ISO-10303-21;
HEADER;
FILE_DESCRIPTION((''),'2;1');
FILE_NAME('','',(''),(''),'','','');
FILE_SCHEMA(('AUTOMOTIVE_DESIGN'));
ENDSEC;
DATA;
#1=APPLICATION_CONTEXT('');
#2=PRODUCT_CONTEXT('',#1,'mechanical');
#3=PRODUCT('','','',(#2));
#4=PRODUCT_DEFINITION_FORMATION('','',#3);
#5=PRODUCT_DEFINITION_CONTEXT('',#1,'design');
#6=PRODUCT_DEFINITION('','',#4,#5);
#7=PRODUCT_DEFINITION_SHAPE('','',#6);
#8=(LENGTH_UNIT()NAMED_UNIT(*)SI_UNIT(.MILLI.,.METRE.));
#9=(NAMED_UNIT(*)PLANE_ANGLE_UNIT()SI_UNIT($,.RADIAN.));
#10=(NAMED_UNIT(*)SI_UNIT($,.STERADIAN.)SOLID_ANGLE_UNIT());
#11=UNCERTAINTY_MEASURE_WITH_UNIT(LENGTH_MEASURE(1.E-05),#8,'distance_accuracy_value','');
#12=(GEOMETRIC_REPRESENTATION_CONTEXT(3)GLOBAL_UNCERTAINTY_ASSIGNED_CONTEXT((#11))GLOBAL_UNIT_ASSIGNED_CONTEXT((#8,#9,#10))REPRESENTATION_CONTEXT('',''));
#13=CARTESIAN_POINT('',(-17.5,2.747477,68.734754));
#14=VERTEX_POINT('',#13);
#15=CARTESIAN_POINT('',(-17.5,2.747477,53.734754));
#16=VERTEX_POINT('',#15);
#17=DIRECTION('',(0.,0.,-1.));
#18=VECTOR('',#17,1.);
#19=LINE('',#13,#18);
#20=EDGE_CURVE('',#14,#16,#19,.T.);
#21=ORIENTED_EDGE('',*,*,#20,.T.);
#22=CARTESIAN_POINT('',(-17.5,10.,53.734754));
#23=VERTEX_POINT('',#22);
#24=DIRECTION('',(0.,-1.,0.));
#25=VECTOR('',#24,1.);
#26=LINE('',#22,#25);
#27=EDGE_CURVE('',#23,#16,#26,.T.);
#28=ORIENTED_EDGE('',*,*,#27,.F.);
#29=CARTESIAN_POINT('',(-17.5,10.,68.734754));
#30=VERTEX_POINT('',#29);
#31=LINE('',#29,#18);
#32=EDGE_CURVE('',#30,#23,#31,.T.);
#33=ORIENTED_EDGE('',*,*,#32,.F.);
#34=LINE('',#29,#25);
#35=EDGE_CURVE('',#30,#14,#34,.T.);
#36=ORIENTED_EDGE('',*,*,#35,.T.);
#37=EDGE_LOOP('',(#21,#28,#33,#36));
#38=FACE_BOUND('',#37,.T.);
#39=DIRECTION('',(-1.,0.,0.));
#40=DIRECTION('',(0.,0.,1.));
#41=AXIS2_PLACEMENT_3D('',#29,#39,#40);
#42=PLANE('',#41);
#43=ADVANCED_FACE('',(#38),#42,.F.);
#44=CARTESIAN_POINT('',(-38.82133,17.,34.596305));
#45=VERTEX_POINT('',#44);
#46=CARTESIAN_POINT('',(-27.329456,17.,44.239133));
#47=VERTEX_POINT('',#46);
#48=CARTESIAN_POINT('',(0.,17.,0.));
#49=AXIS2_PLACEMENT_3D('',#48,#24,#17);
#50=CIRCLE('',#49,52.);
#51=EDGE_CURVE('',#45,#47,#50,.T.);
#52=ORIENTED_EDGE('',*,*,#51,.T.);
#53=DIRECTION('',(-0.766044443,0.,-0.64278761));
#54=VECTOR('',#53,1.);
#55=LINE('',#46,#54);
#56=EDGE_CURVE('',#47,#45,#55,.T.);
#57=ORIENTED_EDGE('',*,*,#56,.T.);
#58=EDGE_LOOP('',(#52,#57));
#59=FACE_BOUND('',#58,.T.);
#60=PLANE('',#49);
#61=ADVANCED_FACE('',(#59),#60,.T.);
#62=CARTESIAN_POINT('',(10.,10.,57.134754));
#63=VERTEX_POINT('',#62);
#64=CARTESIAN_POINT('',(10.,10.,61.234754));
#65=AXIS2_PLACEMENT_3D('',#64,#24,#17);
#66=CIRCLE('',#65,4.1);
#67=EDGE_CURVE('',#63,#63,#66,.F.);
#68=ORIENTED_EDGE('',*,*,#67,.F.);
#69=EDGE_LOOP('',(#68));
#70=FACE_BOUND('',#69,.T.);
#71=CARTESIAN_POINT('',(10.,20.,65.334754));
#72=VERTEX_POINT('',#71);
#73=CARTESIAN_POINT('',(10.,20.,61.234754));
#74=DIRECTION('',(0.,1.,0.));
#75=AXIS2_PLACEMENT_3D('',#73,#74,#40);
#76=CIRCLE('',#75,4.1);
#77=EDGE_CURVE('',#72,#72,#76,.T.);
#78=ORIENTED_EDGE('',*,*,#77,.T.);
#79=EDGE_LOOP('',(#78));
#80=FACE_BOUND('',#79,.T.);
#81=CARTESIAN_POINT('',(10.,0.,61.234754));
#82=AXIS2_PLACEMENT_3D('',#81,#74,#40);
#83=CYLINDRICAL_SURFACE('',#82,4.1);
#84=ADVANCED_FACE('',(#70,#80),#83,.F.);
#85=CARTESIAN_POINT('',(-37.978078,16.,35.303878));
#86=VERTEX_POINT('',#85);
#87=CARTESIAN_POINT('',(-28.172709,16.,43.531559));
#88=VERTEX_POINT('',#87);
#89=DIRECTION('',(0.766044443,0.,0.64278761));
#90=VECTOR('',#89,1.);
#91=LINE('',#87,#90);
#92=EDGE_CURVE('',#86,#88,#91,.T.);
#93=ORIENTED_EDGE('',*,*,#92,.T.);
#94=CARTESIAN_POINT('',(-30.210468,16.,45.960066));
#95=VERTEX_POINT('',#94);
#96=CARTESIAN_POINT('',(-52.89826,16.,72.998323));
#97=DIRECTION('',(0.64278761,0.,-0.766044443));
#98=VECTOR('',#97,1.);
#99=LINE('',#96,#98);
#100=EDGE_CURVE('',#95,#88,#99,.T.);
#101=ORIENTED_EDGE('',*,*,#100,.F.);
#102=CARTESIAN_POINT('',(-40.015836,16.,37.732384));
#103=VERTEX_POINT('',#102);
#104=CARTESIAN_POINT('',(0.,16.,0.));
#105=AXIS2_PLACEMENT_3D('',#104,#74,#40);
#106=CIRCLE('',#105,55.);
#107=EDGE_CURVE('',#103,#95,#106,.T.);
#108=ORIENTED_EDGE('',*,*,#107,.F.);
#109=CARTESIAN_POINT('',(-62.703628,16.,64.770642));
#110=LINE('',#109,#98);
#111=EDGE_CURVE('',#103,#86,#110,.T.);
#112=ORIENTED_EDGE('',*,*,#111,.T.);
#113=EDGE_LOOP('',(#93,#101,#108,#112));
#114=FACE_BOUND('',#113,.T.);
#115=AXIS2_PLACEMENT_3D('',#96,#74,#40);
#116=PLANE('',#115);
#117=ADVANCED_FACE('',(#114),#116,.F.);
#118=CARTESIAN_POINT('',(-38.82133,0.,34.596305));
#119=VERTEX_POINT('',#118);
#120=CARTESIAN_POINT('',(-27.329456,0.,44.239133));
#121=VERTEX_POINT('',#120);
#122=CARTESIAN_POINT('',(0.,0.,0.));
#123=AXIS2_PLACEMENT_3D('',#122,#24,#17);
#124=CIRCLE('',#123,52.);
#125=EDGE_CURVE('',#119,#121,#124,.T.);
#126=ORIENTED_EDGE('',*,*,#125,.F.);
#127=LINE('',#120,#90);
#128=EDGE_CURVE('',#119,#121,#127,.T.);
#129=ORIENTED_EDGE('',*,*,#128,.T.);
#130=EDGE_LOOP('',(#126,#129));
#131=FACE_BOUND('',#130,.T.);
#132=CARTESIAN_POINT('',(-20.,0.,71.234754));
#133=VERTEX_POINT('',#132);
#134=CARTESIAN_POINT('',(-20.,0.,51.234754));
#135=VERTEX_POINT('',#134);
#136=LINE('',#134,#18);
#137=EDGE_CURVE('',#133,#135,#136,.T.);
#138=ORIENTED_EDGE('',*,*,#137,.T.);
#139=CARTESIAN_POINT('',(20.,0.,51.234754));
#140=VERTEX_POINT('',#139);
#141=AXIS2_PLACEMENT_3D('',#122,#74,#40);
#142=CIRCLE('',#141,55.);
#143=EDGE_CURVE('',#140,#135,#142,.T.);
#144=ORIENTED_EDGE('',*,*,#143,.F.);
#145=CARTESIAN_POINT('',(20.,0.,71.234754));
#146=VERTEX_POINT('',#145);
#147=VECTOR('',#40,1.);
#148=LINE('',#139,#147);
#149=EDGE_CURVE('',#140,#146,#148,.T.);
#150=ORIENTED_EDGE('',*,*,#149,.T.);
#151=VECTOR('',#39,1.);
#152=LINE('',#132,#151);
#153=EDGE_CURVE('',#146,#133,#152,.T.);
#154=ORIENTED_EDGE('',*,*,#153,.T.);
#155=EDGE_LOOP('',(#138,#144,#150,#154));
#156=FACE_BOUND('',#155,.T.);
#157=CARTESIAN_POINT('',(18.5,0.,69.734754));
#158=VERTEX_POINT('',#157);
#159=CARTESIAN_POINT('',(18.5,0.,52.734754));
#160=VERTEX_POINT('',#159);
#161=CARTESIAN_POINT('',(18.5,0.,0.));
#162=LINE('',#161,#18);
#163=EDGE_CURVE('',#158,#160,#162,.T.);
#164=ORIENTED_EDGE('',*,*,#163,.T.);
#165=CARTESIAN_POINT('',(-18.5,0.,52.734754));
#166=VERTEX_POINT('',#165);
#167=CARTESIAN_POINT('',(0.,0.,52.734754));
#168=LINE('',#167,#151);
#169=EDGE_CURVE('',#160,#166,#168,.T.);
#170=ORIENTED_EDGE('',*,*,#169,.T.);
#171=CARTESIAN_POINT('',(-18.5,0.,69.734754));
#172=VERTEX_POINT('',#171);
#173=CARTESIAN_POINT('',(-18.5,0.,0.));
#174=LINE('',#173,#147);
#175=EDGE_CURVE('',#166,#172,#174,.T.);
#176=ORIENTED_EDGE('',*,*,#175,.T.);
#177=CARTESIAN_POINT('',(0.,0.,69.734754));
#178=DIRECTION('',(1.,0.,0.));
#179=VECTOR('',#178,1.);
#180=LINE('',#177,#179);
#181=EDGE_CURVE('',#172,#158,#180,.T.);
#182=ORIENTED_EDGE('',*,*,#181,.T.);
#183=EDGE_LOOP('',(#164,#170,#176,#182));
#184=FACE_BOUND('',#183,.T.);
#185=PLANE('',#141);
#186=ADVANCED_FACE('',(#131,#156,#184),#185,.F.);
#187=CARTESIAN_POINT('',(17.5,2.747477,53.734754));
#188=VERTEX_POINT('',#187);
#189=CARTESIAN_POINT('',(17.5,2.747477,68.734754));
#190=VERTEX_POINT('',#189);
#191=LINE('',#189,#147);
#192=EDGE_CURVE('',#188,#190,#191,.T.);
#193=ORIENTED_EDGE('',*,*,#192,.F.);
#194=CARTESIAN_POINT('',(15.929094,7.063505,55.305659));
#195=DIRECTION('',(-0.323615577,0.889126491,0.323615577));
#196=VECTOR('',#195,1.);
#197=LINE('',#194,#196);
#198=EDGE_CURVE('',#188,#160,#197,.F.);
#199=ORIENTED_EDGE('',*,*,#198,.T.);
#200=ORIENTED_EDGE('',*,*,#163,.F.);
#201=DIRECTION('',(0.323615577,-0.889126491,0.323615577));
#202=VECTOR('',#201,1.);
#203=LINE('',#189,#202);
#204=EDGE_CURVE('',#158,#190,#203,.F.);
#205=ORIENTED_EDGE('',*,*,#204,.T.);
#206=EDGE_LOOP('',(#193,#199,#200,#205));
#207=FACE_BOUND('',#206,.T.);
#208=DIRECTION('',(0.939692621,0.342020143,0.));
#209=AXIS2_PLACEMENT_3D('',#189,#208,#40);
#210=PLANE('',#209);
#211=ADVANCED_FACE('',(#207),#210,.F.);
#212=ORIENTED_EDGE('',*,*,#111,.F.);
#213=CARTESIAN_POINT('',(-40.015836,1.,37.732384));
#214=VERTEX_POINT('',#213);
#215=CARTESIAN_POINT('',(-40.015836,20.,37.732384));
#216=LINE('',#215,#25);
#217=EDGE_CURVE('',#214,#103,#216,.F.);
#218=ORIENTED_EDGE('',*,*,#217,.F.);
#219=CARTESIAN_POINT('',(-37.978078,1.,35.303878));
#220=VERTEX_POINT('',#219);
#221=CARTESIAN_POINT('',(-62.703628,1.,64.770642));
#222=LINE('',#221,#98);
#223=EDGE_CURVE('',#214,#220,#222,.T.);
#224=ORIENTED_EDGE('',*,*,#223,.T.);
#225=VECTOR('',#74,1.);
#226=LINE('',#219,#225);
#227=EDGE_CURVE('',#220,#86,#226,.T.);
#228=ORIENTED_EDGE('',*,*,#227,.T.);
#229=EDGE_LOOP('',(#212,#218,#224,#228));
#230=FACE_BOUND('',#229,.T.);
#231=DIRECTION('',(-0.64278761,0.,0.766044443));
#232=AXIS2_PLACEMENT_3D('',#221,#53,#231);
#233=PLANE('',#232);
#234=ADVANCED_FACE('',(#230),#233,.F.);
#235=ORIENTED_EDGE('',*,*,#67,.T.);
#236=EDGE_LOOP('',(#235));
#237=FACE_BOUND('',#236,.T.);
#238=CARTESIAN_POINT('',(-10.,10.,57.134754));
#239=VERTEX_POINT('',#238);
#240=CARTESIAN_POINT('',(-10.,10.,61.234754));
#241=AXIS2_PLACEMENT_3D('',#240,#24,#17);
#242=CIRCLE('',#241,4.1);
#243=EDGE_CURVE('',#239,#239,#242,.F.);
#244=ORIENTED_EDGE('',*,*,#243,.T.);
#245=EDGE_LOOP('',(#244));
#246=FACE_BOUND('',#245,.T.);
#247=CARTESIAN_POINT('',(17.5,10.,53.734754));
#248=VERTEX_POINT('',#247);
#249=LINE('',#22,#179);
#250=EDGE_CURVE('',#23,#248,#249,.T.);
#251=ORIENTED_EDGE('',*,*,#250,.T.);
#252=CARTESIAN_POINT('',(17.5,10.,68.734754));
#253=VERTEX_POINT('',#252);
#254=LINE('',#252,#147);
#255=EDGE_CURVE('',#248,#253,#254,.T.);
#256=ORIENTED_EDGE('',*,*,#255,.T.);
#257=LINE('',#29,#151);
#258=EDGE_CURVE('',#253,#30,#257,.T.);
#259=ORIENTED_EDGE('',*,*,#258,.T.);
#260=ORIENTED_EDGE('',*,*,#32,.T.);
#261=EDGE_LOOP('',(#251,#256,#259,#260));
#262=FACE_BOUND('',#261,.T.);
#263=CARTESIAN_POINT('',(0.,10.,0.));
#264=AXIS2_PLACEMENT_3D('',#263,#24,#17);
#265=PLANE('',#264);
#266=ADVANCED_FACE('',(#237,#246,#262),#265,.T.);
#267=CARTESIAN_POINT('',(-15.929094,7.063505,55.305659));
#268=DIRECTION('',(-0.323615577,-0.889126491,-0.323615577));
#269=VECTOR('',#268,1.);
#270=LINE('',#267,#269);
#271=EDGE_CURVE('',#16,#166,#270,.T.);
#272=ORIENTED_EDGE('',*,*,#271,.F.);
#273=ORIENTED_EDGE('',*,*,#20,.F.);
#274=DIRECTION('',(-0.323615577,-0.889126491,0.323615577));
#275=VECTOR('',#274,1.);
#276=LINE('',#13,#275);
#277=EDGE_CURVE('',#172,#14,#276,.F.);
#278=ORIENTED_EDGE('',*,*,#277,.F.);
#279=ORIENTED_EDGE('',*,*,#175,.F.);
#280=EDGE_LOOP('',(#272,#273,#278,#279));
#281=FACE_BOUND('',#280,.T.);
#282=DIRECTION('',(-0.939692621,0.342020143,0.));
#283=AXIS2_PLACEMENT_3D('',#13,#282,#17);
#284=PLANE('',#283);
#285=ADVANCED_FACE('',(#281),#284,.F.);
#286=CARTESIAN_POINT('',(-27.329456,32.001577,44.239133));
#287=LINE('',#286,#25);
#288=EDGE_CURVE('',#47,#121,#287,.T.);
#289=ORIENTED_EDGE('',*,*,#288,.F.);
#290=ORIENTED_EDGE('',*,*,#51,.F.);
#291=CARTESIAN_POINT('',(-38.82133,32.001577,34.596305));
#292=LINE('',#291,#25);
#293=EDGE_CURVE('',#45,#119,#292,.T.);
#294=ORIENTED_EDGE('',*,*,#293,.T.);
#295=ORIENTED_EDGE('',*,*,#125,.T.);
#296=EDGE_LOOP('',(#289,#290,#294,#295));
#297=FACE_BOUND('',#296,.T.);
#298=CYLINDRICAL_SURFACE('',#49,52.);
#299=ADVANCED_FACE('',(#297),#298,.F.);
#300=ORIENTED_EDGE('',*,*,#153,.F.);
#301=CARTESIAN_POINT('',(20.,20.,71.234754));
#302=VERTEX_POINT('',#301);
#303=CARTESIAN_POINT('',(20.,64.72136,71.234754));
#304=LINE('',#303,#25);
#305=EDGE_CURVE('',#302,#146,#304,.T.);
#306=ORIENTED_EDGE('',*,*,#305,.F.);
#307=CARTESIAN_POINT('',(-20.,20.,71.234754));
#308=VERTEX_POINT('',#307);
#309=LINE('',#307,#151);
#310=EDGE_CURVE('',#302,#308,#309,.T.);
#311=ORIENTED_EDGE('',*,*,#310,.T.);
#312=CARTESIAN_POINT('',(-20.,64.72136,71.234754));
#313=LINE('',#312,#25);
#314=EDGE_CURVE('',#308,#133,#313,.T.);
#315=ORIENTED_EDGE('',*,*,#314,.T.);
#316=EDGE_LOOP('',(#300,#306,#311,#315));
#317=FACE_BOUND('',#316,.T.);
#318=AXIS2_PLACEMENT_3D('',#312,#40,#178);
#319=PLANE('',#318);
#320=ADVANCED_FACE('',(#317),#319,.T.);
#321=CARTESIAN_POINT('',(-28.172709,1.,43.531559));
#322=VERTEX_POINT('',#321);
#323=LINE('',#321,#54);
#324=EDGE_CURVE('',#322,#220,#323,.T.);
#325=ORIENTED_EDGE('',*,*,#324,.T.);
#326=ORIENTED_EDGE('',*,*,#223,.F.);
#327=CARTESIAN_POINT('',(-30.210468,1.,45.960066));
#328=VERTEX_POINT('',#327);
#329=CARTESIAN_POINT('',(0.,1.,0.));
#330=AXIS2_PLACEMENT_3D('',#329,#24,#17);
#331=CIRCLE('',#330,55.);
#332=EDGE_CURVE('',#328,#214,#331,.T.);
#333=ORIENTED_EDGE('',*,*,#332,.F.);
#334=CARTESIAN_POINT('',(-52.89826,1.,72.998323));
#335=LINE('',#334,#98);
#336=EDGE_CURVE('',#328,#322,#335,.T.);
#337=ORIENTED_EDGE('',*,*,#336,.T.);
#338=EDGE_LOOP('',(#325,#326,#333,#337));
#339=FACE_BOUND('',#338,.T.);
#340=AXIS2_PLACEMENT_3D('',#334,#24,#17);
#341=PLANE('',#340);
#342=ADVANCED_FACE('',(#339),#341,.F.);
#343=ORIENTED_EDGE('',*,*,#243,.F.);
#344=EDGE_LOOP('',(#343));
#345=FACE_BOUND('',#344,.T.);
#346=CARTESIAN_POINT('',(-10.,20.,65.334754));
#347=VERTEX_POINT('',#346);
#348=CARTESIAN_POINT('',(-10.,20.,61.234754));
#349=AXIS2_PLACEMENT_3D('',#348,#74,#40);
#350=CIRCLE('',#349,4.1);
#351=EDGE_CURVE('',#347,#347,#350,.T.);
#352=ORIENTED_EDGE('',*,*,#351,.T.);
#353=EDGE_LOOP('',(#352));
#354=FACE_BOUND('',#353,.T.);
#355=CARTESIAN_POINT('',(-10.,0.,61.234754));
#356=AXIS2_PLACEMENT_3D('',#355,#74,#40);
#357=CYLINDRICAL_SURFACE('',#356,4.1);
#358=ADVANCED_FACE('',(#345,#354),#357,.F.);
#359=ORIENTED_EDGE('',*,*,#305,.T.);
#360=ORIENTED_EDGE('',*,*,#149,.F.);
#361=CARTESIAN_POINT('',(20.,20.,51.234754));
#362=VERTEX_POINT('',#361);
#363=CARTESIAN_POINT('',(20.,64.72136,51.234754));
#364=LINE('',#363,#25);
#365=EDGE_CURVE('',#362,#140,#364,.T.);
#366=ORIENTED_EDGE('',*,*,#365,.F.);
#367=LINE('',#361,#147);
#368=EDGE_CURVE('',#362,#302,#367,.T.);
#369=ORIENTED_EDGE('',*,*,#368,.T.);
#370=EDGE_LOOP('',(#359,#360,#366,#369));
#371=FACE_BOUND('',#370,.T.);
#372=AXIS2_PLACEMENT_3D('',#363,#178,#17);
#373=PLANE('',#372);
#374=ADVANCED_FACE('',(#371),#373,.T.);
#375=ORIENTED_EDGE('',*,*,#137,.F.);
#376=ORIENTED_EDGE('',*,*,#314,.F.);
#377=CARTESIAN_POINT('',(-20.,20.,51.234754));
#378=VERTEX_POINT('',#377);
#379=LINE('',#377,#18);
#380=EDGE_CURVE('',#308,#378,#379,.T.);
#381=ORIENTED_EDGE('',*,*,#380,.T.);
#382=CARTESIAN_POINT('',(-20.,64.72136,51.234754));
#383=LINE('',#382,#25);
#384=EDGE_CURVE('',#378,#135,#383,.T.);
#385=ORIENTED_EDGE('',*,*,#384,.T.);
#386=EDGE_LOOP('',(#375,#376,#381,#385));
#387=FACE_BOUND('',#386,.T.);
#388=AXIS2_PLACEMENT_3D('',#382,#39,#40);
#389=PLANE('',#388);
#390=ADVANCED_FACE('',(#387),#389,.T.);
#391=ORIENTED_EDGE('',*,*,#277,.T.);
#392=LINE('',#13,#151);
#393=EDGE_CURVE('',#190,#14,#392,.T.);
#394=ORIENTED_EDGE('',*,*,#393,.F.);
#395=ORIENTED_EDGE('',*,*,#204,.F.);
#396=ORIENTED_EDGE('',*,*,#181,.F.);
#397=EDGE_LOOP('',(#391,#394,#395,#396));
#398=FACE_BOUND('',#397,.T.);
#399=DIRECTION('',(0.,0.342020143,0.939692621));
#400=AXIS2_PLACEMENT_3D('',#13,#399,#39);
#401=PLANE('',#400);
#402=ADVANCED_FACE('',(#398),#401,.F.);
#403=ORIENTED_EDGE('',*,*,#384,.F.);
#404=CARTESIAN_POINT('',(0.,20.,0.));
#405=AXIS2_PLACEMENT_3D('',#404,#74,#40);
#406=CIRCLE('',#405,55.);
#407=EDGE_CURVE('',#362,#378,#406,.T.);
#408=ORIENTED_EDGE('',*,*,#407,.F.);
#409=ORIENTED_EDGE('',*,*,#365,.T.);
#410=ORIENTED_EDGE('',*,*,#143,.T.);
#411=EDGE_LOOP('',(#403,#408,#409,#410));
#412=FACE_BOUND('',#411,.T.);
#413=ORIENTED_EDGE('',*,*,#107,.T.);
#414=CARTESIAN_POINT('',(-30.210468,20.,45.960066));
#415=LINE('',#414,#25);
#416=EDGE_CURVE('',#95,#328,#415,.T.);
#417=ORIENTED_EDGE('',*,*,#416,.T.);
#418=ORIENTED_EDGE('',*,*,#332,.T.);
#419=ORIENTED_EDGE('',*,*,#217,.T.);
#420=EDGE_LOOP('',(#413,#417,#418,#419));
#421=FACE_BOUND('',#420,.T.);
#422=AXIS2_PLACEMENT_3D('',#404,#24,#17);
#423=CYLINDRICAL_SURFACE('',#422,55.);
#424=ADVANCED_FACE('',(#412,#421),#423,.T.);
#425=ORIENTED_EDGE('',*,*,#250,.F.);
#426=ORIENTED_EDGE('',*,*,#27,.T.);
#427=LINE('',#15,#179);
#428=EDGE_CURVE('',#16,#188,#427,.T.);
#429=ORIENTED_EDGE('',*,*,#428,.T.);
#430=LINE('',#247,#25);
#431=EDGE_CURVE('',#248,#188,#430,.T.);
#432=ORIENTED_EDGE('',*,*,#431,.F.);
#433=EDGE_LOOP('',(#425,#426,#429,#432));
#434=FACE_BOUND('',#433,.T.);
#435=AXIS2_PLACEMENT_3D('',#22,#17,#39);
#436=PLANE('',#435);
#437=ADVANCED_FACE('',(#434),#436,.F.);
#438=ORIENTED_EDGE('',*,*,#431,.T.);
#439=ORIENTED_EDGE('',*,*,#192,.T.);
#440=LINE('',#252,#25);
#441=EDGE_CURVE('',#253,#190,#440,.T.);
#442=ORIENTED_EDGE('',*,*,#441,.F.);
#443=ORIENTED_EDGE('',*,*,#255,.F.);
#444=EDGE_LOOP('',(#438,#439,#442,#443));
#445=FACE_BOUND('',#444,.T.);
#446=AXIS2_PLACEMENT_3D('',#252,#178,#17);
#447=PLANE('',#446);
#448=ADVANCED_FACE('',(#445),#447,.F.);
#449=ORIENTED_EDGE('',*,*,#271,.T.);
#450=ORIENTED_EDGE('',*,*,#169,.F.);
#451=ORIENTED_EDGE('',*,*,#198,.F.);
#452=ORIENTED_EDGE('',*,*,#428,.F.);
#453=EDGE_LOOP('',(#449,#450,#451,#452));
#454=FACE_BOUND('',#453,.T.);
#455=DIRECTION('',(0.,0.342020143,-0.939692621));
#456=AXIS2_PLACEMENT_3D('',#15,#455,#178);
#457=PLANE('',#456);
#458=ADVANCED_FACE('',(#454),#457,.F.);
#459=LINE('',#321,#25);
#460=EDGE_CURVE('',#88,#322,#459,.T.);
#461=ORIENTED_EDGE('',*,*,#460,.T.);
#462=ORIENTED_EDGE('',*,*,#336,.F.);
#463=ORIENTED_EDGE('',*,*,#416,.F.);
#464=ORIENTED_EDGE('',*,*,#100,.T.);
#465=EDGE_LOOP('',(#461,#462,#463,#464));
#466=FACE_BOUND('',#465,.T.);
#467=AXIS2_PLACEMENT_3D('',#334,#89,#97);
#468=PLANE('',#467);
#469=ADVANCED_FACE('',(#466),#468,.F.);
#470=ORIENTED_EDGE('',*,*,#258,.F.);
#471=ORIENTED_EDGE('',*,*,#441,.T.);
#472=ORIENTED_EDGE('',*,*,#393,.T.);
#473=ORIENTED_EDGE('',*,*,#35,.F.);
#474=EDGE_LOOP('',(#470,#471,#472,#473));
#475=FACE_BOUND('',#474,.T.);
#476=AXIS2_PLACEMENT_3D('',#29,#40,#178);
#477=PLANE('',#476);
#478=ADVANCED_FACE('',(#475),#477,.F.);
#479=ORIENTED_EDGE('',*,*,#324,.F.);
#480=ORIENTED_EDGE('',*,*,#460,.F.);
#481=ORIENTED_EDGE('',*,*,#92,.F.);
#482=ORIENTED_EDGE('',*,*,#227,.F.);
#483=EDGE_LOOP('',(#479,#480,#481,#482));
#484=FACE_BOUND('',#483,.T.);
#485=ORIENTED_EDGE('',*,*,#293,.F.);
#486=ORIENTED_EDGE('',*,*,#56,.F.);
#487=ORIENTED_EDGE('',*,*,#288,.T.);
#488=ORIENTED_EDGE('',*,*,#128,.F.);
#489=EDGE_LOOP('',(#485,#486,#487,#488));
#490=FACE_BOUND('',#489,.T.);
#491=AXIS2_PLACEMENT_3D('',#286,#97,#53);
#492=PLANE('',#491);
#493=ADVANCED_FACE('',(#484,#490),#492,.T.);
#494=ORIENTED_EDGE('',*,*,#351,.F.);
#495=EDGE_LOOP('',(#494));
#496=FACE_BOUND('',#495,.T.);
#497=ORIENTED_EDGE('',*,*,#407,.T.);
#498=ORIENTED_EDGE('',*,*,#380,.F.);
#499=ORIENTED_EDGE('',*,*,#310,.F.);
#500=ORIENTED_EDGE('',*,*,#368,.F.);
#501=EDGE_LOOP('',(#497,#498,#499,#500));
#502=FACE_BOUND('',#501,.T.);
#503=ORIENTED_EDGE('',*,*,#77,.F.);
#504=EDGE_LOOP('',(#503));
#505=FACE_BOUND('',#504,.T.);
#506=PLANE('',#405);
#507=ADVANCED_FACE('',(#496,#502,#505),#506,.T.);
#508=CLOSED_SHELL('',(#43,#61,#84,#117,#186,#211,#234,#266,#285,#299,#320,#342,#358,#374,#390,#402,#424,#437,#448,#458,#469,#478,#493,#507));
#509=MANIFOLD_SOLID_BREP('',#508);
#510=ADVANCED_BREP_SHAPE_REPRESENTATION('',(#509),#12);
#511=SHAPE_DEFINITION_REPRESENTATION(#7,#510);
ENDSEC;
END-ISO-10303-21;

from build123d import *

# Parameters (mm, degrees)
SKETCH1_R           = 55
BOSS_EXTRUDE1_DEPTH = 20
SKETCH9_W           = 40
SKETCH9_H           = 20
BOSS_EXTRUDE4_DEPTH = 20
SKETCH11_R          = 4.1
CUT_EXTRUDE6_DEPTH  = 21
SKETCH12_R          = 52
CUT_EXTRUDE7_DEPTH  = 17
BOSS_EXTRUDE5_DEPTH = 17
SKETCH14_W          = 12.8
SKETCH14_H          = 15
CUT_EXTRUDE8_DEPTH  = 39.466128658
SKETCH16_W          = 35
SKETCH16_H          = 15
CUT_EXTRUDE9_DEPTH  = 10
CHAMFER1_SIZE       = 1
CHAMFER1_SIZE2      = 2.747477419


with BuildPart() as part:
    # Sketch1 → Boss-Extrude1 (new body)
    with BuildSketch(Plane(origin=(0, 0, 0), x_dir=(1, 0, 0), z_dir=(0, 1, 0))):
        with Locations(Location((0, 0, 0), (0, 0, 270))):  # turned: the seam where the file's is
            Circle(SKETCH1_R)
    extrude(amount=BOSS_EXTRUDE1_DEPTH)

    # Sketch9 → Boss-Extrude4 (add)
    with BuildSketch(Plane.XZ):
        with Locations((0, 61.23475383)):
            Rectangle(SKETCH9_W, SKETCH9_H)
    extrude(amount=-BOSS_EXTRUDE4_DEPTH)

    # Sketch11 → Cut-Extrude6 (cut, through all)
    with BuildSketch(Plane(origin=(0, 20, 0), x_dir=(1, 0, 0), z_dir=(0, 1, 0))):
        with Locations(Location((-10, -61.23475383, 0), (0, 0, 270))):  # turned: the seam where the file's is
            Circle(SKETCH11_R)
        with Locations(Location((10, -61.23475383, 0), (0, 0, 270))):  # turned: the seam where the file's is
            Circle(SKETCH11_R)
    extrude(amount=-CUT_EXTRUDE6_DEPTH, mode=Mode.SUBTRACT)

    # Sketch12 → Cut-Extrude7 (cut)
    with BuildSketch(Plane.XZ):
        with Locations(Location((0, 0, 0), (0, 0, 270))):  # turned: the seam where the file's is
            Circle(SKETCH12_R)
    extrude(amount=-CUT_EXTRUDE7_DEPTH, mode=Mode.SUBTRACT)

    # Sketch13 → Boss-Extrude5 (add)
    with BuildSketch(Plane.XZ):
        Polygon((-27.329455823, 44.239132501), (-38.821330473, 34.596304721), (-36.242802171, 41.369787173), align=None)
    extrude(amount=-BOSS_EXTRUDE5_DEPTH)

    # Sketch14 → Cut-Extrude8 (cut, through all)
    with BuildSketch(Plane(origin=(-33.075393148, 0, 39.417718611), x_dir=(-0.766044443, 0, -0.64278761), z_dir=(0.64278761, 0, -0.766044443))):
        with Locations((0, 8.5)):
            Rectangle(SKETCH14_W, SKETCH14_H)
    extrude(amount=-CUT_EXTRUDE8_DEPTH, mode=Mode.SUBTRACT)

    # Sketch16 → Cut-Extrude9 (cut)
    with BuildSketch(Plane.XZ):
        with Locations((0, 61.23475383)):
            Rectangle(SKETCH16_W, SKETCH16_H)
    extrude(amount=-CUT_EXTRUDE9_DEPTH, mode=Mode.SUBTRACT)

    # Chamfer1
    chamfer1_edges = [part.edges().sort_by_distance(p)[0] for p in [
        (17.5, 0, 61.23475383),
        (0, 0, 68.73475383),
        (-17.5, 0, 61.23475383),
        (0, 0, 53.73475383),
    ]]
    chamfer1_side = [part.faces().sort_by_distance(p)[0] for p in [
        (-18.325628086, 0, 61.23475383),
    ]]
    chamfer(chamfer1_edges, length=CHAMFER1_SIZE, length2=CHAMFER1_SIZE2, reference=chamfer1_side[0])


solid = part.part
